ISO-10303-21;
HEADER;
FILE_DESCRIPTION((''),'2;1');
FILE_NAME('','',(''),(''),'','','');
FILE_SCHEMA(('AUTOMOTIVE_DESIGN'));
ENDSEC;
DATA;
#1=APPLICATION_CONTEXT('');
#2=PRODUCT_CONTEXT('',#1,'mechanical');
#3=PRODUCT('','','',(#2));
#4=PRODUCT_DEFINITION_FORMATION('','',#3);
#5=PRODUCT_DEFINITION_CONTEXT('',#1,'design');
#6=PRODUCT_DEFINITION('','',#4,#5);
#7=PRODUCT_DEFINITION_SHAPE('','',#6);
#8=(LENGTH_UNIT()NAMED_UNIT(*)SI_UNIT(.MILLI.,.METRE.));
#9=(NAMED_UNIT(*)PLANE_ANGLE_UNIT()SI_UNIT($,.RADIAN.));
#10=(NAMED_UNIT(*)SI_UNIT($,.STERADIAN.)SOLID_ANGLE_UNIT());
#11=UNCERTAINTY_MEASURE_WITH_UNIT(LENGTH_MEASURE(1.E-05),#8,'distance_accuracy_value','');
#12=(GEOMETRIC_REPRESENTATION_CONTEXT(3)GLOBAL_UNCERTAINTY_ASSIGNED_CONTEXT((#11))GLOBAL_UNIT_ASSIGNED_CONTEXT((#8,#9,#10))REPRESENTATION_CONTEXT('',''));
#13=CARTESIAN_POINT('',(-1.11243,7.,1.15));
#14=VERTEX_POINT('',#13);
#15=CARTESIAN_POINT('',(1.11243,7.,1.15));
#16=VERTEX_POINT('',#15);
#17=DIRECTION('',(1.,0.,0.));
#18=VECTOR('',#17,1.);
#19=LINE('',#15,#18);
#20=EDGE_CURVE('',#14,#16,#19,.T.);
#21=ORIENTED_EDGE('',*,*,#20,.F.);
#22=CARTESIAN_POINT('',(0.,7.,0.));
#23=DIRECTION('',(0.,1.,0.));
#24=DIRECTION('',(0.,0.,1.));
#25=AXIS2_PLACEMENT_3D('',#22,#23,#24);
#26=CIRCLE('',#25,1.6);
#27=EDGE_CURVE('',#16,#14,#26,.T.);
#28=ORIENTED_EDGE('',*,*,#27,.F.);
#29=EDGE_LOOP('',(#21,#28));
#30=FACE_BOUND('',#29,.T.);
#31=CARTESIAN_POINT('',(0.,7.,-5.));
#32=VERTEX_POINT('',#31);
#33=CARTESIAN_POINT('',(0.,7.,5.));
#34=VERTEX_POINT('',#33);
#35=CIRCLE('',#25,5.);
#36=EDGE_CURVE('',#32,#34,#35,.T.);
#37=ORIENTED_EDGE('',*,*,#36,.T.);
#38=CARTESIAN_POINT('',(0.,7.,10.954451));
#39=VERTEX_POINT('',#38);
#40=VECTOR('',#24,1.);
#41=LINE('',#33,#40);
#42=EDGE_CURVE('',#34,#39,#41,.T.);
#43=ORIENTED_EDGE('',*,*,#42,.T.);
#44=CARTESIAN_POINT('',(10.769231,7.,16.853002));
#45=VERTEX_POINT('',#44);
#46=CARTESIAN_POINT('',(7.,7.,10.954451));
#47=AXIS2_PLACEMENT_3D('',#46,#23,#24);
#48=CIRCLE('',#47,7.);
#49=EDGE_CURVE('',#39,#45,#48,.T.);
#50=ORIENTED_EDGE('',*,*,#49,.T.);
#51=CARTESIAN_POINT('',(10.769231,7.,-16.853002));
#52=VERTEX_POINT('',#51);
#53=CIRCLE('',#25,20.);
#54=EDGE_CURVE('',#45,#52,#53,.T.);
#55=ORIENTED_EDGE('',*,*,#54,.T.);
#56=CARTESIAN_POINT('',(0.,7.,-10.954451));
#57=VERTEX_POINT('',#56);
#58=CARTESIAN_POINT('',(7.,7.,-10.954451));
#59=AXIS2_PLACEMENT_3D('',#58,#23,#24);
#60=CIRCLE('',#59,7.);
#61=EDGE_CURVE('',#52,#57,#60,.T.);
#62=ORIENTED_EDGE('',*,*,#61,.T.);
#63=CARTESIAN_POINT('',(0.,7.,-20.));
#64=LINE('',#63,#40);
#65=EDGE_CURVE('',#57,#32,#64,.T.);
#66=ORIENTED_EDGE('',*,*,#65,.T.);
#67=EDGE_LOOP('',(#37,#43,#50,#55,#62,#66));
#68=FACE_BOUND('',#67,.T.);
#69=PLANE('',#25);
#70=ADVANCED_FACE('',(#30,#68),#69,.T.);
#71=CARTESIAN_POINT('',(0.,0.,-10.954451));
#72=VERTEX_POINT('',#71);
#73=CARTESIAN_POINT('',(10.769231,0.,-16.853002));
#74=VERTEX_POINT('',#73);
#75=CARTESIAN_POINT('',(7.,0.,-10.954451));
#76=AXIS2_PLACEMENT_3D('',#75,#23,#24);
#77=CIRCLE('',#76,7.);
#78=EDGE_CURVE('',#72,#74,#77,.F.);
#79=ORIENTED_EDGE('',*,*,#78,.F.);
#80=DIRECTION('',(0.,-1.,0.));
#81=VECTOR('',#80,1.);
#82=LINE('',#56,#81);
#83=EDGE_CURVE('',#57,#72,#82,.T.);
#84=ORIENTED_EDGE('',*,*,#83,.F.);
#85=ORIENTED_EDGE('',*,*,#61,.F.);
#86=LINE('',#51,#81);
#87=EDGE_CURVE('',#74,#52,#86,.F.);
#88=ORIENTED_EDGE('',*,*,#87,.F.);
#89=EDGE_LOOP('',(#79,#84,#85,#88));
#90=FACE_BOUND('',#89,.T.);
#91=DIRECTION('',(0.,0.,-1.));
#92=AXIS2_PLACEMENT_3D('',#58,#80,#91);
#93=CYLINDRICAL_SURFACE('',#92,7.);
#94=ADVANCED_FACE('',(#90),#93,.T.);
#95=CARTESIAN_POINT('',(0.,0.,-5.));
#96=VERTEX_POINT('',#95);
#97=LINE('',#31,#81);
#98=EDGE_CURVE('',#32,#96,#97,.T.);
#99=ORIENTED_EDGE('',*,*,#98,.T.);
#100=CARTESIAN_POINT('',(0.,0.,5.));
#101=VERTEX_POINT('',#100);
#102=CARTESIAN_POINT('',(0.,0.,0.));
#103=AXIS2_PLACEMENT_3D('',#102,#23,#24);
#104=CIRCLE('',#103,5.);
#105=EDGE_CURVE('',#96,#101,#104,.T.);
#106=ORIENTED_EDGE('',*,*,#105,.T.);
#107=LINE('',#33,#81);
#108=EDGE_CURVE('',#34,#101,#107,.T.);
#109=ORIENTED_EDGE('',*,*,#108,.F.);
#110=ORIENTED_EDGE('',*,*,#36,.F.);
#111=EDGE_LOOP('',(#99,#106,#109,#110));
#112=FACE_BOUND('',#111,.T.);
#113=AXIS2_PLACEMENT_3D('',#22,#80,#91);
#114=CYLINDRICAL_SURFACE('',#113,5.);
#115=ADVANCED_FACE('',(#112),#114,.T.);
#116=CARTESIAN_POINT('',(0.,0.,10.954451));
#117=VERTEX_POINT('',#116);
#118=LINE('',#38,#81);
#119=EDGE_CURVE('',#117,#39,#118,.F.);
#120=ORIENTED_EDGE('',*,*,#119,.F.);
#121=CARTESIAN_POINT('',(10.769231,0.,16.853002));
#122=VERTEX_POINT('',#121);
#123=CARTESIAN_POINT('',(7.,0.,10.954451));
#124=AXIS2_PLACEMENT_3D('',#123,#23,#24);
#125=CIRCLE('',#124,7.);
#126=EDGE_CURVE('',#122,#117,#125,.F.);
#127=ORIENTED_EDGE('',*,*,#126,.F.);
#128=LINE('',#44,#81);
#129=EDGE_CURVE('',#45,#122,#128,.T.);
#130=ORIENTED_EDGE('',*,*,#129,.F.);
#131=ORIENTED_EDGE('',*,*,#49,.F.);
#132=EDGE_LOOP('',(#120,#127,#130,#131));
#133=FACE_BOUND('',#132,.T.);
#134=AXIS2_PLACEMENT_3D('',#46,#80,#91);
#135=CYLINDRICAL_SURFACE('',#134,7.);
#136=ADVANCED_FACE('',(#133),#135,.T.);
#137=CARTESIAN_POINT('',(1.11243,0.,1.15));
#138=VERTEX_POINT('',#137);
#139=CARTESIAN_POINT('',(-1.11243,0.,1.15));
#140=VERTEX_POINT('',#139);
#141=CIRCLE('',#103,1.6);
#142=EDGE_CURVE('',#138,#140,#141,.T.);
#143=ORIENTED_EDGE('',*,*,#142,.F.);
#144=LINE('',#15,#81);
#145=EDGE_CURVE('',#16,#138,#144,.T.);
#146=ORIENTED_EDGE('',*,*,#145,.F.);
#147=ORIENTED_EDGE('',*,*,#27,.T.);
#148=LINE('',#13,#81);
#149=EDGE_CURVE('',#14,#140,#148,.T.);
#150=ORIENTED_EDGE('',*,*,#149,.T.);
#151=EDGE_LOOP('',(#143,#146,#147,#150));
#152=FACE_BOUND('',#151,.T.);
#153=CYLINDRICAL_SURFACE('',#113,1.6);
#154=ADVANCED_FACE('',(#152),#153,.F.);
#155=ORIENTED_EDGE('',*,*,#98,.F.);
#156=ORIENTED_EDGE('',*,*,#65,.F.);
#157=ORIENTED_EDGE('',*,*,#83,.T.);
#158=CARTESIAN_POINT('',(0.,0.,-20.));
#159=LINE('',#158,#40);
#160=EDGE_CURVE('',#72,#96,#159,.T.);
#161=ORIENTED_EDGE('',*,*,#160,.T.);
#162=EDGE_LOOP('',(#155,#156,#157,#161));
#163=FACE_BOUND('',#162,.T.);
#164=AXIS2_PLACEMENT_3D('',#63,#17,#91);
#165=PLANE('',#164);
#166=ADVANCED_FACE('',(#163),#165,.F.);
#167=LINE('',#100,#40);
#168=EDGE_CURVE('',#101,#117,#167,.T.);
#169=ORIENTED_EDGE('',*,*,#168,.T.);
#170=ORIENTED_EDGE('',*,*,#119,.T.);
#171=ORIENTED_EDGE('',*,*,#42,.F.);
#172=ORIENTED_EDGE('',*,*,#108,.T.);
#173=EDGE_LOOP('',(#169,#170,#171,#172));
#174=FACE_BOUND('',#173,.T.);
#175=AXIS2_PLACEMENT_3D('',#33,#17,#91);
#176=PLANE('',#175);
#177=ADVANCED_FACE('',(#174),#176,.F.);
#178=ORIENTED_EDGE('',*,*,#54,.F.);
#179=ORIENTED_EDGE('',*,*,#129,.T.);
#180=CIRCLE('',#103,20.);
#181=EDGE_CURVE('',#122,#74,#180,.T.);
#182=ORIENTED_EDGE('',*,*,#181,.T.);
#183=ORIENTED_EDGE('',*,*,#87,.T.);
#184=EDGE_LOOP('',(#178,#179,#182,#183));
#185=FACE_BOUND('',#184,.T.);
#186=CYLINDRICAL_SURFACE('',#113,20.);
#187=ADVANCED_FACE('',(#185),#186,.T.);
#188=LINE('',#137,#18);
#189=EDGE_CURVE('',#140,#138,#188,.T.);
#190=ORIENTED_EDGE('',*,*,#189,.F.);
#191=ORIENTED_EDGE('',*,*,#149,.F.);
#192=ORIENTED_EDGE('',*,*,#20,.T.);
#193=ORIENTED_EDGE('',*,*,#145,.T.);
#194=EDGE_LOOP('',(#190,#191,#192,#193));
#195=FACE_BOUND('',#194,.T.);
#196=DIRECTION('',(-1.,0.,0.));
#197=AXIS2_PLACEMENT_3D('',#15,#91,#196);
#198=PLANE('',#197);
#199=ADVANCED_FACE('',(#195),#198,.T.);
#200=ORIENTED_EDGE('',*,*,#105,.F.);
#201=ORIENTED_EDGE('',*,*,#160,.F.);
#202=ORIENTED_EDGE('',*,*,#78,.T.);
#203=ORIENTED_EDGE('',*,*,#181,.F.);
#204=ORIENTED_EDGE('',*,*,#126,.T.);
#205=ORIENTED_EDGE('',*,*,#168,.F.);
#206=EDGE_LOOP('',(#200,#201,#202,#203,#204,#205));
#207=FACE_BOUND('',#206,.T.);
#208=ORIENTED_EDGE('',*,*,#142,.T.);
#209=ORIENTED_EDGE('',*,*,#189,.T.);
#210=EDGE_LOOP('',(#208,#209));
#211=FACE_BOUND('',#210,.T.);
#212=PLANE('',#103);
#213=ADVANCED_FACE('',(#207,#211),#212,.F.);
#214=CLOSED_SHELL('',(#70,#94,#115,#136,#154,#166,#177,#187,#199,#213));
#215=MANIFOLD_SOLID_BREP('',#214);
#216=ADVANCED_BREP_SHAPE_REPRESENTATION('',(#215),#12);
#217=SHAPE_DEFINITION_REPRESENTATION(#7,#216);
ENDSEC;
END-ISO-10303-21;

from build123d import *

# Parameters (mm, degrees)
BOSS_EXTRUDE1_DEPTH = 7
FILLET1_R           = 7


with BuildPart() as part:
    # Sketch1 → Boss-Extrude1 (new body)
    with BuildSketch(Plane(origin=(0, 0, 0), x_dir=(1, 0, 0), z_dir=(0, 1, 0))):
        with BuildLine():
            Line((0, 20), (0, 5))
            ThreePointArc((0, 5), (-5, 0), (0, -5))
            Line((0, -5), (0, -20))
            ThreePointArc((0, -20), (20, 0), (0, 20))
        make_face()
        with BuildLine():
            Line((1.112429773, -1.15), (-1.112429773, -1.15))
            ThreePointArc((-1.112429773, -1.15), (0, 1.6), (1.112429773, -1.15))
        make_face(mode=Mode.SUBTRACT)
    extrude(amount=BOSS_EXTRUDE1_DEPTH)

    # Fillet1
    fillet1_edges = [part.edges().sort_by_distance(p)[0] for p in [
        (0, 3.5, 20),
        (0, 3.5, -20),
    ]]
    fillet(fillet1_edges, radius=FILLET1_R)


solid = part.part
